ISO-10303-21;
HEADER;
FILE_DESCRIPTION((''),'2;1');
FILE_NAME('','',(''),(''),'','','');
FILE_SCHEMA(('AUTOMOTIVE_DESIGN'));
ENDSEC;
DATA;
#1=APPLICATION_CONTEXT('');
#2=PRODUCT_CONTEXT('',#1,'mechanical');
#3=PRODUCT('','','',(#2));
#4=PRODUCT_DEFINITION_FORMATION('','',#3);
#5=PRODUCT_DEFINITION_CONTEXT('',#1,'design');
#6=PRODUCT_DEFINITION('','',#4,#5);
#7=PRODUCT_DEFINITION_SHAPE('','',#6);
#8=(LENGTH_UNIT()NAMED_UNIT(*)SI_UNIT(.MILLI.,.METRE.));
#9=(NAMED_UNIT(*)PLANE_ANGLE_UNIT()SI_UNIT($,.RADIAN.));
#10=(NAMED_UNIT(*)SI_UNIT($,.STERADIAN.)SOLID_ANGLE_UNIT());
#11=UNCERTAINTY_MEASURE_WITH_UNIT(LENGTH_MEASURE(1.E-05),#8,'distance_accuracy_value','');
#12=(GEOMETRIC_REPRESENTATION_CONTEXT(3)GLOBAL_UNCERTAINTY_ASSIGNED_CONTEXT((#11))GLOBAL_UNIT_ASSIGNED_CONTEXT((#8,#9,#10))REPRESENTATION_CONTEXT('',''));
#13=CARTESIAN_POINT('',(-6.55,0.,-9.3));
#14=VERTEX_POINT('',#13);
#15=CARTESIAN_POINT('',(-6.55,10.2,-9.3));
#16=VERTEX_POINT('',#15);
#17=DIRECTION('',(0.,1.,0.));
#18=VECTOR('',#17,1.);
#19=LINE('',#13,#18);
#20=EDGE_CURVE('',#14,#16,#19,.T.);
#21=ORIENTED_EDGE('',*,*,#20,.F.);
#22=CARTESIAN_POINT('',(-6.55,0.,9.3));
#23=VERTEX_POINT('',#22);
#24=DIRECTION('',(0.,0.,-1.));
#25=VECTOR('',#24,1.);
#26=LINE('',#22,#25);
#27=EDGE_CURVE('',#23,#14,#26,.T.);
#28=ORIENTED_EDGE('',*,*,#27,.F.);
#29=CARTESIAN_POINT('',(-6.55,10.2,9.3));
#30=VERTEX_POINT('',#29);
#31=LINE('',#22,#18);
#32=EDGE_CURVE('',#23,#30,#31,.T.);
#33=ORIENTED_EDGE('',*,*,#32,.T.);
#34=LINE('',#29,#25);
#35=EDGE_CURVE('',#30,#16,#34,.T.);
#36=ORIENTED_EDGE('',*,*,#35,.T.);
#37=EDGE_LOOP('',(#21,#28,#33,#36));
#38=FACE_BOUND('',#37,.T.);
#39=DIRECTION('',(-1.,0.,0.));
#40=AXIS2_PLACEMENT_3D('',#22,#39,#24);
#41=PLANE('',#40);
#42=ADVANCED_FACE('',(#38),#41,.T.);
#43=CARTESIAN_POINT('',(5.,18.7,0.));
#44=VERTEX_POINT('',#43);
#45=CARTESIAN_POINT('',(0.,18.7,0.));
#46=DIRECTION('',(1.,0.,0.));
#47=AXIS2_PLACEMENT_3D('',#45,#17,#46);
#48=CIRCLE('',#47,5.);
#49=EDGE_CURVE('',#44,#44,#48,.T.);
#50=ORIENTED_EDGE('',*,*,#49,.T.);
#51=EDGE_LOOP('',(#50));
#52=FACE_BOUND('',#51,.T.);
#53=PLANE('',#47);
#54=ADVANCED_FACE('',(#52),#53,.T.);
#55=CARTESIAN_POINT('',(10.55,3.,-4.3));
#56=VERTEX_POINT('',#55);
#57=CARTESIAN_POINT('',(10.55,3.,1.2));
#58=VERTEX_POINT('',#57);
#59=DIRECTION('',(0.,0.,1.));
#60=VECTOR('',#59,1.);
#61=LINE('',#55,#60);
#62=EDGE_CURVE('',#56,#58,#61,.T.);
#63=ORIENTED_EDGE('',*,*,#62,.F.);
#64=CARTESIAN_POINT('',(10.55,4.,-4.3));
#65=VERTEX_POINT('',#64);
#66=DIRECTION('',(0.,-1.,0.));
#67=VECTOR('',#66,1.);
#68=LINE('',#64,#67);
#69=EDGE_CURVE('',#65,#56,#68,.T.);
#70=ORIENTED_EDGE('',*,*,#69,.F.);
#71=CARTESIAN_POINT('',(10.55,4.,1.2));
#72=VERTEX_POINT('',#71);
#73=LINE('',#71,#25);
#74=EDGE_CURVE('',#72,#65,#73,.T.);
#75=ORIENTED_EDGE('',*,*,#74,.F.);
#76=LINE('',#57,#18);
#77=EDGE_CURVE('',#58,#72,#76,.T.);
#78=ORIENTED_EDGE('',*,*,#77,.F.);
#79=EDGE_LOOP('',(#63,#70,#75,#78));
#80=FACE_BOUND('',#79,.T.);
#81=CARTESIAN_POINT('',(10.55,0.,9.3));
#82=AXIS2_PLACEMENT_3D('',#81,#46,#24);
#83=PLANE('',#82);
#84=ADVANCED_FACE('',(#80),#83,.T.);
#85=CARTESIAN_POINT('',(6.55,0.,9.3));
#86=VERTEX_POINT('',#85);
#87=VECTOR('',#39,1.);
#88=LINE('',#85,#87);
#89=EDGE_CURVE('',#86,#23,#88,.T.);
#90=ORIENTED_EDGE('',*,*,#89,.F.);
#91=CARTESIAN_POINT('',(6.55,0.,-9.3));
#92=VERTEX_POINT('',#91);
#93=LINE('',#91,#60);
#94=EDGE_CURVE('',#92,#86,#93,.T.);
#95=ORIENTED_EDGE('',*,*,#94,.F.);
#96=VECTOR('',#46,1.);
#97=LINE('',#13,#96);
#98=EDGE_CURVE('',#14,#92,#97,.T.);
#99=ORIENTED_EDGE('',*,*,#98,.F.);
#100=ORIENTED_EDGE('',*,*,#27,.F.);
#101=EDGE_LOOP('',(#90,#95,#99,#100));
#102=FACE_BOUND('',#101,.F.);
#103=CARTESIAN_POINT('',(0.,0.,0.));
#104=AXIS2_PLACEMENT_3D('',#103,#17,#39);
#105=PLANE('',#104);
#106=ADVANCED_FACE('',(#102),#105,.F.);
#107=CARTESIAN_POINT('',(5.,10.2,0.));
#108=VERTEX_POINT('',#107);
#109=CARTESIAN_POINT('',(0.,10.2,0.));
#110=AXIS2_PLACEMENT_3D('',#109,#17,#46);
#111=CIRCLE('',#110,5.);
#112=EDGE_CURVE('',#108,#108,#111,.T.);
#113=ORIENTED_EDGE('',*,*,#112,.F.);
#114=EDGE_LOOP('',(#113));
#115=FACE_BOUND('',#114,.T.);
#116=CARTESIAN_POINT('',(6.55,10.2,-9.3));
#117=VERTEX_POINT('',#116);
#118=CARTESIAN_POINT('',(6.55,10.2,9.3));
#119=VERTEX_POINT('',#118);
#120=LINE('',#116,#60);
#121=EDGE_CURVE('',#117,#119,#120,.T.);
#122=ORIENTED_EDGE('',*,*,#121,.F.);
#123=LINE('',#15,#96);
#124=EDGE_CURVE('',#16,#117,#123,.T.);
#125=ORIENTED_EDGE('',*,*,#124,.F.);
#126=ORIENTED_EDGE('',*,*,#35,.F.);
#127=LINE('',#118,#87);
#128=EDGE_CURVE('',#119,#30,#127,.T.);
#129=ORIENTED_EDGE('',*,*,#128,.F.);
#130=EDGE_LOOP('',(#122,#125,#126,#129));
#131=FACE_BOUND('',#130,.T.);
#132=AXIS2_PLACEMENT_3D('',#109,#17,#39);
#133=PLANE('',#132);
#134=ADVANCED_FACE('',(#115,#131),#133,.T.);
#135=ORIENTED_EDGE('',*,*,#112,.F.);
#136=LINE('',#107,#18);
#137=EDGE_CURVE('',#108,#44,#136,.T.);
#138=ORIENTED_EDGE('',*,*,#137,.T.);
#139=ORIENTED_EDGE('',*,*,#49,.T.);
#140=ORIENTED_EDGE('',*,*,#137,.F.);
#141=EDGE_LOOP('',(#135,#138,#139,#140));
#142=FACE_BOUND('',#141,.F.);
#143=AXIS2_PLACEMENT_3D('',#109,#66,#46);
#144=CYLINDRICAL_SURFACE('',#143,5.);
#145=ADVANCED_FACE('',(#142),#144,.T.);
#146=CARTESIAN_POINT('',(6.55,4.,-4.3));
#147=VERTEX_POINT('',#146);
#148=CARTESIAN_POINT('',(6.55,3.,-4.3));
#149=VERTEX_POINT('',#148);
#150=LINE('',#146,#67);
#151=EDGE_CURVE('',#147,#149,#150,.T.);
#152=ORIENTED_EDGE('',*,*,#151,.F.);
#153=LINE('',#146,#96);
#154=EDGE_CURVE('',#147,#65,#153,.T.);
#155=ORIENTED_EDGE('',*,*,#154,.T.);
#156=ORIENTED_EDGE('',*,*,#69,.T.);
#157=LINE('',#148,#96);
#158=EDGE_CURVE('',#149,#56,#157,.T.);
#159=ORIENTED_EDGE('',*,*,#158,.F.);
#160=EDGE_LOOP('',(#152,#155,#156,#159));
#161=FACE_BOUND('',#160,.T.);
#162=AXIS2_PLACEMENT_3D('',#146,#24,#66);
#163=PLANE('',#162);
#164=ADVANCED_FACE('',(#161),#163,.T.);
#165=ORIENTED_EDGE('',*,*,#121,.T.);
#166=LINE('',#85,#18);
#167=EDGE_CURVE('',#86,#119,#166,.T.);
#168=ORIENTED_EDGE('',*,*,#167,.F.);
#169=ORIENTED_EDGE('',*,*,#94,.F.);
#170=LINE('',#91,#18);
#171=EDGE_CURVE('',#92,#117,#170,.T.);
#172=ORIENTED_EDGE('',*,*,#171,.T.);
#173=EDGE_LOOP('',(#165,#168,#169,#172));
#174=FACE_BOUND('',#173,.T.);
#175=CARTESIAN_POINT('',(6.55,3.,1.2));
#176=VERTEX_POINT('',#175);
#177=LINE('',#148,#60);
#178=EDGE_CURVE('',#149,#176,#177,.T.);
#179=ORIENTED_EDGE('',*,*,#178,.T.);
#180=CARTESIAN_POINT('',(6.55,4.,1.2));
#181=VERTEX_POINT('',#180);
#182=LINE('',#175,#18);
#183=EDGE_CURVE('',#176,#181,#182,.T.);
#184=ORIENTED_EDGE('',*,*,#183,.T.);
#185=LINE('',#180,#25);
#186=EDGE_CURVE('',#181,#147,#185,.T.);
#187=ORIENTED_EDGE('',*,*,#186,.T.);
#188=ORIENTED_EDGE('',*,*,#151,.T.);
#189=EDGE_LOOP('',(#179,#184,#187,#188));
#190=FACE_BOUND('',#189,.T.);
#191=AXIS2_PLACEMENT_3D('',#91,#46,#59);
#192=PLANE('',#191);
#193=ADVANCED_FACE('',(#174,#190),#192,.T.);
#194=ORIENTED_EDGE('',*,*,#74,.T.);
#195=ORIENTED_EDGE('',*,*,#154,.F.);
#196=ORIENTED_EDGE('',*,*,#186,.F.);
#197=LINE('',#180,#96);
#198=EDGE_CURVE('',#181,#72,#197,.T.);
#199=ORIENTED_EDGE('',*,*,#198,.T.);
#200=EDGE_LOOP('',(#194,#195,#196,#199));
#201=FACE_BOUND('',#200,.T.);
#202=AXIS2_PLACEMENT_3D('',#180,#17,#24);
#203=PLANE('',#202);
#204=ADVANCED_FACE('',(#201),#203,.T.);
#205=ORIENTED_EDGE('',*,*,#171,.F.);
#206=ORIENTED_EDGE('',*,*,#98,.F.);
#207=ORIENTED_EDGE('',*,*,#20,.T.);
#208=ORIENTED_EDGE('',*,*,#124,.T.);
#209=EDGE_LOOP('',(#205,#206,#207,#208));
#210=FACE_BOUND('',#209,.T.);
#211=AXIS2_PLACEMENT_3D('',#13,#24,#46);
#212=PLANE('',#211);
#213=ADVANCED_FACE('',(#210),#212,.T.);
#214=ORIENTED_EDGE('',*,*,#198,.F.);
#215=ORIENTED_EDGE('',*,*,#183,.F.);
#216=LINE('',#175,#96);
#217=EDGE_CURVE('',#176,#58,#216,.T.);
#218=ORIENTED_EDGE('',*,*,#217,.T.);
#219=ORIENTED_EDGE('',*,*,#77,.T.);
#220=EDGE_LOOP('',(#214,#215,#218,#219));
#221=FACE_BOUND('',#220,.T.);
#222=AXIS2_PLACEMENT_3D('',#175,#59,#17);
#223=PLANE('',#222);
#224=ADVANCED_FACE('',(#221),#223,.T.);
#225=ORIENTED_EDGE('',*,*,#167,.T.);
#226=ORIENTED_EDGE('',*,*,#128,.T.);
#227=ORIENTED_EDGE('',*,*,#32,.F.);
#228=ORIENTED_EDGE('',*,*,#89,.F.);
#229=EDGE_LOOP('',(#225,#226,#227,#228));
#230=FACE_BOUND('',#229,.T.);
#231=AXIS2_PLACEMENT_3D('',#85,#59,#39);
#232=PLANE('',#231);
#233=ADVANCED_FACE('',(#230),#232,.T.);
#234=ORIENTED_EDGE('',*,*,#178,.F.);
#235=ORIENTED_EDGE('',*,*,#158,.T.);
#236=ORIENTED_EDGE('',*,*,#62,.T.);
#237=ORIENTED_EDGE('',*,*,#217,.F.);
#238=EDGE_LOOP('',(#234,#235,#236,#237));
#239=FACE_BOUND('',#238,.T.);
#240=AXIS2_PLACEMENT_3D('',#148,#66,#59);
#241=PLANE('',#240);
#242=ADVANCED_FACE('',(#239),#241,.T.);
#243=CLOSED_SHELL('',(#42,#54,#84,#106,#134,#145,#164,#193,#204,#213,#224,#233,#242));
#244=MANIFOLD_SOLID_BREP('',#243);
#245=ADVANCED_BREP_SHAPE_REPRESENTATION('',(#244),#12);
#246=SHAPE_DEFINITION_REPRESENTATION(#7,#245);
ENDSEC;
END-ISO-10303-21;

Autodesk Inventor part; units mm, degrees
ref_plane "YZ Plane" through (0, 0, 0) normal (1, 0, 0) x (0, 1, 0)
ref_plane "XZ Plane" through (0, 0, 0) normal (0, 1, 0) x (-1, 0, 0)
ref_plane "XY Plane" through (0, 0, 0) normal (0, 0, 1) x (1, 0, 0)
sketch "Sketch1" plane through (0, 0, 0) normal (0, 1, 0) x (-1, 0, 0)
  line L0 (-6.55, 9.3) -> (6.55, 9.3)
  line L1 (6.55, 9.3) -> (6.55, -9.3)
  line L2 (6.55, -9.3) -> (-6.55, -9.3)
  line L3 (-6.55, -9.3) -> (-6.55, 9.3)
  line L4 (0, 0) -> (1, 0)
  line L5 (0, 0) -> (0, -1)
  dimension "d0" = 18.6
  dimension "d1" = 13.1
  dimension "d2" = 1
  dimension "d3" = 1
extrude "Extrusion1" add sketch "Sketch1" along normal blind 10.2
sketch "Sketch2" plane through (0, 10.2, 0) normal (0, 1, 0) x (1, 0, 0)
  circle A0 centre (0, 0) radius 5
  dimension "d6" = 10
extrude "Extrusion2" add sketch "Sketch2" along normal blind 8.5
sketch "Sketch3" plane through (6.55, 0, 9.3) normal (1, 0, 0) x (0, 0, -1)
  point P0 (9.3, 0)
sketch "Sketch4" plane through (6.55, 0, 9.3) normal (1, 0, 0) x (0, 0, -1)
  circle A0 centre (7.5, 3.5) radius 2.5
  line L0 (0, 0) -> (0, 10.2) projected
  line L1 (18.6, 0) -> (0, 0) projected
  point P0 (9.3, 0)
  dimension "d9" = 5
  dimension "d10" = 7.5
  dimension "d11" = 3.5
extrude "Extrusion3" [suppressed]
sketch "Sketch5" plane through (11.55, 3.5, 1.8) normal (1, 0, 0) x (0, 0, -1)
  circle A0 centre (0, 0) radius 15
  point P0 (1.8, -3.5)
  dimension "d14" = 30
extrude "Extrusion4" [suppressed]
sketch "Náčrt6" plane through (6.55, 0, 9.3) normal (1, 0, 0) x (0, 0, -1)
  line L0 (18.6, 0) -> (0, 0) projected
  line L1 (18.6, 0) -> (18.6, 10.2) projected
  line L2 (0, 10.2) -> (18.6, 10.2) projected
  line L3 (0, 0) -> (0, 10.2) projected
  line L4 (13.6, 3) -> (8.1, 3)
  line L5 (8.1, 3) -> (8.1, 4)
  line L6 (8.1, 4) -> (13.6, 4)
  line L7 (13.6, 4) -> (13.6, 3)
  point P0 (9.3, 0)
  dimension "d17" = 10.2
  dimension "d18" = 18.6
  dimension "d19" = 3
  dimension "d20" = 1
  dimension "d21" = 5.5
  dimension "d22" = 5
extrude "Vysunutí5" add sketch "Náčrt6" along normal blind 4 contours L4 L5 L6 L7
properties part number "Camera"
